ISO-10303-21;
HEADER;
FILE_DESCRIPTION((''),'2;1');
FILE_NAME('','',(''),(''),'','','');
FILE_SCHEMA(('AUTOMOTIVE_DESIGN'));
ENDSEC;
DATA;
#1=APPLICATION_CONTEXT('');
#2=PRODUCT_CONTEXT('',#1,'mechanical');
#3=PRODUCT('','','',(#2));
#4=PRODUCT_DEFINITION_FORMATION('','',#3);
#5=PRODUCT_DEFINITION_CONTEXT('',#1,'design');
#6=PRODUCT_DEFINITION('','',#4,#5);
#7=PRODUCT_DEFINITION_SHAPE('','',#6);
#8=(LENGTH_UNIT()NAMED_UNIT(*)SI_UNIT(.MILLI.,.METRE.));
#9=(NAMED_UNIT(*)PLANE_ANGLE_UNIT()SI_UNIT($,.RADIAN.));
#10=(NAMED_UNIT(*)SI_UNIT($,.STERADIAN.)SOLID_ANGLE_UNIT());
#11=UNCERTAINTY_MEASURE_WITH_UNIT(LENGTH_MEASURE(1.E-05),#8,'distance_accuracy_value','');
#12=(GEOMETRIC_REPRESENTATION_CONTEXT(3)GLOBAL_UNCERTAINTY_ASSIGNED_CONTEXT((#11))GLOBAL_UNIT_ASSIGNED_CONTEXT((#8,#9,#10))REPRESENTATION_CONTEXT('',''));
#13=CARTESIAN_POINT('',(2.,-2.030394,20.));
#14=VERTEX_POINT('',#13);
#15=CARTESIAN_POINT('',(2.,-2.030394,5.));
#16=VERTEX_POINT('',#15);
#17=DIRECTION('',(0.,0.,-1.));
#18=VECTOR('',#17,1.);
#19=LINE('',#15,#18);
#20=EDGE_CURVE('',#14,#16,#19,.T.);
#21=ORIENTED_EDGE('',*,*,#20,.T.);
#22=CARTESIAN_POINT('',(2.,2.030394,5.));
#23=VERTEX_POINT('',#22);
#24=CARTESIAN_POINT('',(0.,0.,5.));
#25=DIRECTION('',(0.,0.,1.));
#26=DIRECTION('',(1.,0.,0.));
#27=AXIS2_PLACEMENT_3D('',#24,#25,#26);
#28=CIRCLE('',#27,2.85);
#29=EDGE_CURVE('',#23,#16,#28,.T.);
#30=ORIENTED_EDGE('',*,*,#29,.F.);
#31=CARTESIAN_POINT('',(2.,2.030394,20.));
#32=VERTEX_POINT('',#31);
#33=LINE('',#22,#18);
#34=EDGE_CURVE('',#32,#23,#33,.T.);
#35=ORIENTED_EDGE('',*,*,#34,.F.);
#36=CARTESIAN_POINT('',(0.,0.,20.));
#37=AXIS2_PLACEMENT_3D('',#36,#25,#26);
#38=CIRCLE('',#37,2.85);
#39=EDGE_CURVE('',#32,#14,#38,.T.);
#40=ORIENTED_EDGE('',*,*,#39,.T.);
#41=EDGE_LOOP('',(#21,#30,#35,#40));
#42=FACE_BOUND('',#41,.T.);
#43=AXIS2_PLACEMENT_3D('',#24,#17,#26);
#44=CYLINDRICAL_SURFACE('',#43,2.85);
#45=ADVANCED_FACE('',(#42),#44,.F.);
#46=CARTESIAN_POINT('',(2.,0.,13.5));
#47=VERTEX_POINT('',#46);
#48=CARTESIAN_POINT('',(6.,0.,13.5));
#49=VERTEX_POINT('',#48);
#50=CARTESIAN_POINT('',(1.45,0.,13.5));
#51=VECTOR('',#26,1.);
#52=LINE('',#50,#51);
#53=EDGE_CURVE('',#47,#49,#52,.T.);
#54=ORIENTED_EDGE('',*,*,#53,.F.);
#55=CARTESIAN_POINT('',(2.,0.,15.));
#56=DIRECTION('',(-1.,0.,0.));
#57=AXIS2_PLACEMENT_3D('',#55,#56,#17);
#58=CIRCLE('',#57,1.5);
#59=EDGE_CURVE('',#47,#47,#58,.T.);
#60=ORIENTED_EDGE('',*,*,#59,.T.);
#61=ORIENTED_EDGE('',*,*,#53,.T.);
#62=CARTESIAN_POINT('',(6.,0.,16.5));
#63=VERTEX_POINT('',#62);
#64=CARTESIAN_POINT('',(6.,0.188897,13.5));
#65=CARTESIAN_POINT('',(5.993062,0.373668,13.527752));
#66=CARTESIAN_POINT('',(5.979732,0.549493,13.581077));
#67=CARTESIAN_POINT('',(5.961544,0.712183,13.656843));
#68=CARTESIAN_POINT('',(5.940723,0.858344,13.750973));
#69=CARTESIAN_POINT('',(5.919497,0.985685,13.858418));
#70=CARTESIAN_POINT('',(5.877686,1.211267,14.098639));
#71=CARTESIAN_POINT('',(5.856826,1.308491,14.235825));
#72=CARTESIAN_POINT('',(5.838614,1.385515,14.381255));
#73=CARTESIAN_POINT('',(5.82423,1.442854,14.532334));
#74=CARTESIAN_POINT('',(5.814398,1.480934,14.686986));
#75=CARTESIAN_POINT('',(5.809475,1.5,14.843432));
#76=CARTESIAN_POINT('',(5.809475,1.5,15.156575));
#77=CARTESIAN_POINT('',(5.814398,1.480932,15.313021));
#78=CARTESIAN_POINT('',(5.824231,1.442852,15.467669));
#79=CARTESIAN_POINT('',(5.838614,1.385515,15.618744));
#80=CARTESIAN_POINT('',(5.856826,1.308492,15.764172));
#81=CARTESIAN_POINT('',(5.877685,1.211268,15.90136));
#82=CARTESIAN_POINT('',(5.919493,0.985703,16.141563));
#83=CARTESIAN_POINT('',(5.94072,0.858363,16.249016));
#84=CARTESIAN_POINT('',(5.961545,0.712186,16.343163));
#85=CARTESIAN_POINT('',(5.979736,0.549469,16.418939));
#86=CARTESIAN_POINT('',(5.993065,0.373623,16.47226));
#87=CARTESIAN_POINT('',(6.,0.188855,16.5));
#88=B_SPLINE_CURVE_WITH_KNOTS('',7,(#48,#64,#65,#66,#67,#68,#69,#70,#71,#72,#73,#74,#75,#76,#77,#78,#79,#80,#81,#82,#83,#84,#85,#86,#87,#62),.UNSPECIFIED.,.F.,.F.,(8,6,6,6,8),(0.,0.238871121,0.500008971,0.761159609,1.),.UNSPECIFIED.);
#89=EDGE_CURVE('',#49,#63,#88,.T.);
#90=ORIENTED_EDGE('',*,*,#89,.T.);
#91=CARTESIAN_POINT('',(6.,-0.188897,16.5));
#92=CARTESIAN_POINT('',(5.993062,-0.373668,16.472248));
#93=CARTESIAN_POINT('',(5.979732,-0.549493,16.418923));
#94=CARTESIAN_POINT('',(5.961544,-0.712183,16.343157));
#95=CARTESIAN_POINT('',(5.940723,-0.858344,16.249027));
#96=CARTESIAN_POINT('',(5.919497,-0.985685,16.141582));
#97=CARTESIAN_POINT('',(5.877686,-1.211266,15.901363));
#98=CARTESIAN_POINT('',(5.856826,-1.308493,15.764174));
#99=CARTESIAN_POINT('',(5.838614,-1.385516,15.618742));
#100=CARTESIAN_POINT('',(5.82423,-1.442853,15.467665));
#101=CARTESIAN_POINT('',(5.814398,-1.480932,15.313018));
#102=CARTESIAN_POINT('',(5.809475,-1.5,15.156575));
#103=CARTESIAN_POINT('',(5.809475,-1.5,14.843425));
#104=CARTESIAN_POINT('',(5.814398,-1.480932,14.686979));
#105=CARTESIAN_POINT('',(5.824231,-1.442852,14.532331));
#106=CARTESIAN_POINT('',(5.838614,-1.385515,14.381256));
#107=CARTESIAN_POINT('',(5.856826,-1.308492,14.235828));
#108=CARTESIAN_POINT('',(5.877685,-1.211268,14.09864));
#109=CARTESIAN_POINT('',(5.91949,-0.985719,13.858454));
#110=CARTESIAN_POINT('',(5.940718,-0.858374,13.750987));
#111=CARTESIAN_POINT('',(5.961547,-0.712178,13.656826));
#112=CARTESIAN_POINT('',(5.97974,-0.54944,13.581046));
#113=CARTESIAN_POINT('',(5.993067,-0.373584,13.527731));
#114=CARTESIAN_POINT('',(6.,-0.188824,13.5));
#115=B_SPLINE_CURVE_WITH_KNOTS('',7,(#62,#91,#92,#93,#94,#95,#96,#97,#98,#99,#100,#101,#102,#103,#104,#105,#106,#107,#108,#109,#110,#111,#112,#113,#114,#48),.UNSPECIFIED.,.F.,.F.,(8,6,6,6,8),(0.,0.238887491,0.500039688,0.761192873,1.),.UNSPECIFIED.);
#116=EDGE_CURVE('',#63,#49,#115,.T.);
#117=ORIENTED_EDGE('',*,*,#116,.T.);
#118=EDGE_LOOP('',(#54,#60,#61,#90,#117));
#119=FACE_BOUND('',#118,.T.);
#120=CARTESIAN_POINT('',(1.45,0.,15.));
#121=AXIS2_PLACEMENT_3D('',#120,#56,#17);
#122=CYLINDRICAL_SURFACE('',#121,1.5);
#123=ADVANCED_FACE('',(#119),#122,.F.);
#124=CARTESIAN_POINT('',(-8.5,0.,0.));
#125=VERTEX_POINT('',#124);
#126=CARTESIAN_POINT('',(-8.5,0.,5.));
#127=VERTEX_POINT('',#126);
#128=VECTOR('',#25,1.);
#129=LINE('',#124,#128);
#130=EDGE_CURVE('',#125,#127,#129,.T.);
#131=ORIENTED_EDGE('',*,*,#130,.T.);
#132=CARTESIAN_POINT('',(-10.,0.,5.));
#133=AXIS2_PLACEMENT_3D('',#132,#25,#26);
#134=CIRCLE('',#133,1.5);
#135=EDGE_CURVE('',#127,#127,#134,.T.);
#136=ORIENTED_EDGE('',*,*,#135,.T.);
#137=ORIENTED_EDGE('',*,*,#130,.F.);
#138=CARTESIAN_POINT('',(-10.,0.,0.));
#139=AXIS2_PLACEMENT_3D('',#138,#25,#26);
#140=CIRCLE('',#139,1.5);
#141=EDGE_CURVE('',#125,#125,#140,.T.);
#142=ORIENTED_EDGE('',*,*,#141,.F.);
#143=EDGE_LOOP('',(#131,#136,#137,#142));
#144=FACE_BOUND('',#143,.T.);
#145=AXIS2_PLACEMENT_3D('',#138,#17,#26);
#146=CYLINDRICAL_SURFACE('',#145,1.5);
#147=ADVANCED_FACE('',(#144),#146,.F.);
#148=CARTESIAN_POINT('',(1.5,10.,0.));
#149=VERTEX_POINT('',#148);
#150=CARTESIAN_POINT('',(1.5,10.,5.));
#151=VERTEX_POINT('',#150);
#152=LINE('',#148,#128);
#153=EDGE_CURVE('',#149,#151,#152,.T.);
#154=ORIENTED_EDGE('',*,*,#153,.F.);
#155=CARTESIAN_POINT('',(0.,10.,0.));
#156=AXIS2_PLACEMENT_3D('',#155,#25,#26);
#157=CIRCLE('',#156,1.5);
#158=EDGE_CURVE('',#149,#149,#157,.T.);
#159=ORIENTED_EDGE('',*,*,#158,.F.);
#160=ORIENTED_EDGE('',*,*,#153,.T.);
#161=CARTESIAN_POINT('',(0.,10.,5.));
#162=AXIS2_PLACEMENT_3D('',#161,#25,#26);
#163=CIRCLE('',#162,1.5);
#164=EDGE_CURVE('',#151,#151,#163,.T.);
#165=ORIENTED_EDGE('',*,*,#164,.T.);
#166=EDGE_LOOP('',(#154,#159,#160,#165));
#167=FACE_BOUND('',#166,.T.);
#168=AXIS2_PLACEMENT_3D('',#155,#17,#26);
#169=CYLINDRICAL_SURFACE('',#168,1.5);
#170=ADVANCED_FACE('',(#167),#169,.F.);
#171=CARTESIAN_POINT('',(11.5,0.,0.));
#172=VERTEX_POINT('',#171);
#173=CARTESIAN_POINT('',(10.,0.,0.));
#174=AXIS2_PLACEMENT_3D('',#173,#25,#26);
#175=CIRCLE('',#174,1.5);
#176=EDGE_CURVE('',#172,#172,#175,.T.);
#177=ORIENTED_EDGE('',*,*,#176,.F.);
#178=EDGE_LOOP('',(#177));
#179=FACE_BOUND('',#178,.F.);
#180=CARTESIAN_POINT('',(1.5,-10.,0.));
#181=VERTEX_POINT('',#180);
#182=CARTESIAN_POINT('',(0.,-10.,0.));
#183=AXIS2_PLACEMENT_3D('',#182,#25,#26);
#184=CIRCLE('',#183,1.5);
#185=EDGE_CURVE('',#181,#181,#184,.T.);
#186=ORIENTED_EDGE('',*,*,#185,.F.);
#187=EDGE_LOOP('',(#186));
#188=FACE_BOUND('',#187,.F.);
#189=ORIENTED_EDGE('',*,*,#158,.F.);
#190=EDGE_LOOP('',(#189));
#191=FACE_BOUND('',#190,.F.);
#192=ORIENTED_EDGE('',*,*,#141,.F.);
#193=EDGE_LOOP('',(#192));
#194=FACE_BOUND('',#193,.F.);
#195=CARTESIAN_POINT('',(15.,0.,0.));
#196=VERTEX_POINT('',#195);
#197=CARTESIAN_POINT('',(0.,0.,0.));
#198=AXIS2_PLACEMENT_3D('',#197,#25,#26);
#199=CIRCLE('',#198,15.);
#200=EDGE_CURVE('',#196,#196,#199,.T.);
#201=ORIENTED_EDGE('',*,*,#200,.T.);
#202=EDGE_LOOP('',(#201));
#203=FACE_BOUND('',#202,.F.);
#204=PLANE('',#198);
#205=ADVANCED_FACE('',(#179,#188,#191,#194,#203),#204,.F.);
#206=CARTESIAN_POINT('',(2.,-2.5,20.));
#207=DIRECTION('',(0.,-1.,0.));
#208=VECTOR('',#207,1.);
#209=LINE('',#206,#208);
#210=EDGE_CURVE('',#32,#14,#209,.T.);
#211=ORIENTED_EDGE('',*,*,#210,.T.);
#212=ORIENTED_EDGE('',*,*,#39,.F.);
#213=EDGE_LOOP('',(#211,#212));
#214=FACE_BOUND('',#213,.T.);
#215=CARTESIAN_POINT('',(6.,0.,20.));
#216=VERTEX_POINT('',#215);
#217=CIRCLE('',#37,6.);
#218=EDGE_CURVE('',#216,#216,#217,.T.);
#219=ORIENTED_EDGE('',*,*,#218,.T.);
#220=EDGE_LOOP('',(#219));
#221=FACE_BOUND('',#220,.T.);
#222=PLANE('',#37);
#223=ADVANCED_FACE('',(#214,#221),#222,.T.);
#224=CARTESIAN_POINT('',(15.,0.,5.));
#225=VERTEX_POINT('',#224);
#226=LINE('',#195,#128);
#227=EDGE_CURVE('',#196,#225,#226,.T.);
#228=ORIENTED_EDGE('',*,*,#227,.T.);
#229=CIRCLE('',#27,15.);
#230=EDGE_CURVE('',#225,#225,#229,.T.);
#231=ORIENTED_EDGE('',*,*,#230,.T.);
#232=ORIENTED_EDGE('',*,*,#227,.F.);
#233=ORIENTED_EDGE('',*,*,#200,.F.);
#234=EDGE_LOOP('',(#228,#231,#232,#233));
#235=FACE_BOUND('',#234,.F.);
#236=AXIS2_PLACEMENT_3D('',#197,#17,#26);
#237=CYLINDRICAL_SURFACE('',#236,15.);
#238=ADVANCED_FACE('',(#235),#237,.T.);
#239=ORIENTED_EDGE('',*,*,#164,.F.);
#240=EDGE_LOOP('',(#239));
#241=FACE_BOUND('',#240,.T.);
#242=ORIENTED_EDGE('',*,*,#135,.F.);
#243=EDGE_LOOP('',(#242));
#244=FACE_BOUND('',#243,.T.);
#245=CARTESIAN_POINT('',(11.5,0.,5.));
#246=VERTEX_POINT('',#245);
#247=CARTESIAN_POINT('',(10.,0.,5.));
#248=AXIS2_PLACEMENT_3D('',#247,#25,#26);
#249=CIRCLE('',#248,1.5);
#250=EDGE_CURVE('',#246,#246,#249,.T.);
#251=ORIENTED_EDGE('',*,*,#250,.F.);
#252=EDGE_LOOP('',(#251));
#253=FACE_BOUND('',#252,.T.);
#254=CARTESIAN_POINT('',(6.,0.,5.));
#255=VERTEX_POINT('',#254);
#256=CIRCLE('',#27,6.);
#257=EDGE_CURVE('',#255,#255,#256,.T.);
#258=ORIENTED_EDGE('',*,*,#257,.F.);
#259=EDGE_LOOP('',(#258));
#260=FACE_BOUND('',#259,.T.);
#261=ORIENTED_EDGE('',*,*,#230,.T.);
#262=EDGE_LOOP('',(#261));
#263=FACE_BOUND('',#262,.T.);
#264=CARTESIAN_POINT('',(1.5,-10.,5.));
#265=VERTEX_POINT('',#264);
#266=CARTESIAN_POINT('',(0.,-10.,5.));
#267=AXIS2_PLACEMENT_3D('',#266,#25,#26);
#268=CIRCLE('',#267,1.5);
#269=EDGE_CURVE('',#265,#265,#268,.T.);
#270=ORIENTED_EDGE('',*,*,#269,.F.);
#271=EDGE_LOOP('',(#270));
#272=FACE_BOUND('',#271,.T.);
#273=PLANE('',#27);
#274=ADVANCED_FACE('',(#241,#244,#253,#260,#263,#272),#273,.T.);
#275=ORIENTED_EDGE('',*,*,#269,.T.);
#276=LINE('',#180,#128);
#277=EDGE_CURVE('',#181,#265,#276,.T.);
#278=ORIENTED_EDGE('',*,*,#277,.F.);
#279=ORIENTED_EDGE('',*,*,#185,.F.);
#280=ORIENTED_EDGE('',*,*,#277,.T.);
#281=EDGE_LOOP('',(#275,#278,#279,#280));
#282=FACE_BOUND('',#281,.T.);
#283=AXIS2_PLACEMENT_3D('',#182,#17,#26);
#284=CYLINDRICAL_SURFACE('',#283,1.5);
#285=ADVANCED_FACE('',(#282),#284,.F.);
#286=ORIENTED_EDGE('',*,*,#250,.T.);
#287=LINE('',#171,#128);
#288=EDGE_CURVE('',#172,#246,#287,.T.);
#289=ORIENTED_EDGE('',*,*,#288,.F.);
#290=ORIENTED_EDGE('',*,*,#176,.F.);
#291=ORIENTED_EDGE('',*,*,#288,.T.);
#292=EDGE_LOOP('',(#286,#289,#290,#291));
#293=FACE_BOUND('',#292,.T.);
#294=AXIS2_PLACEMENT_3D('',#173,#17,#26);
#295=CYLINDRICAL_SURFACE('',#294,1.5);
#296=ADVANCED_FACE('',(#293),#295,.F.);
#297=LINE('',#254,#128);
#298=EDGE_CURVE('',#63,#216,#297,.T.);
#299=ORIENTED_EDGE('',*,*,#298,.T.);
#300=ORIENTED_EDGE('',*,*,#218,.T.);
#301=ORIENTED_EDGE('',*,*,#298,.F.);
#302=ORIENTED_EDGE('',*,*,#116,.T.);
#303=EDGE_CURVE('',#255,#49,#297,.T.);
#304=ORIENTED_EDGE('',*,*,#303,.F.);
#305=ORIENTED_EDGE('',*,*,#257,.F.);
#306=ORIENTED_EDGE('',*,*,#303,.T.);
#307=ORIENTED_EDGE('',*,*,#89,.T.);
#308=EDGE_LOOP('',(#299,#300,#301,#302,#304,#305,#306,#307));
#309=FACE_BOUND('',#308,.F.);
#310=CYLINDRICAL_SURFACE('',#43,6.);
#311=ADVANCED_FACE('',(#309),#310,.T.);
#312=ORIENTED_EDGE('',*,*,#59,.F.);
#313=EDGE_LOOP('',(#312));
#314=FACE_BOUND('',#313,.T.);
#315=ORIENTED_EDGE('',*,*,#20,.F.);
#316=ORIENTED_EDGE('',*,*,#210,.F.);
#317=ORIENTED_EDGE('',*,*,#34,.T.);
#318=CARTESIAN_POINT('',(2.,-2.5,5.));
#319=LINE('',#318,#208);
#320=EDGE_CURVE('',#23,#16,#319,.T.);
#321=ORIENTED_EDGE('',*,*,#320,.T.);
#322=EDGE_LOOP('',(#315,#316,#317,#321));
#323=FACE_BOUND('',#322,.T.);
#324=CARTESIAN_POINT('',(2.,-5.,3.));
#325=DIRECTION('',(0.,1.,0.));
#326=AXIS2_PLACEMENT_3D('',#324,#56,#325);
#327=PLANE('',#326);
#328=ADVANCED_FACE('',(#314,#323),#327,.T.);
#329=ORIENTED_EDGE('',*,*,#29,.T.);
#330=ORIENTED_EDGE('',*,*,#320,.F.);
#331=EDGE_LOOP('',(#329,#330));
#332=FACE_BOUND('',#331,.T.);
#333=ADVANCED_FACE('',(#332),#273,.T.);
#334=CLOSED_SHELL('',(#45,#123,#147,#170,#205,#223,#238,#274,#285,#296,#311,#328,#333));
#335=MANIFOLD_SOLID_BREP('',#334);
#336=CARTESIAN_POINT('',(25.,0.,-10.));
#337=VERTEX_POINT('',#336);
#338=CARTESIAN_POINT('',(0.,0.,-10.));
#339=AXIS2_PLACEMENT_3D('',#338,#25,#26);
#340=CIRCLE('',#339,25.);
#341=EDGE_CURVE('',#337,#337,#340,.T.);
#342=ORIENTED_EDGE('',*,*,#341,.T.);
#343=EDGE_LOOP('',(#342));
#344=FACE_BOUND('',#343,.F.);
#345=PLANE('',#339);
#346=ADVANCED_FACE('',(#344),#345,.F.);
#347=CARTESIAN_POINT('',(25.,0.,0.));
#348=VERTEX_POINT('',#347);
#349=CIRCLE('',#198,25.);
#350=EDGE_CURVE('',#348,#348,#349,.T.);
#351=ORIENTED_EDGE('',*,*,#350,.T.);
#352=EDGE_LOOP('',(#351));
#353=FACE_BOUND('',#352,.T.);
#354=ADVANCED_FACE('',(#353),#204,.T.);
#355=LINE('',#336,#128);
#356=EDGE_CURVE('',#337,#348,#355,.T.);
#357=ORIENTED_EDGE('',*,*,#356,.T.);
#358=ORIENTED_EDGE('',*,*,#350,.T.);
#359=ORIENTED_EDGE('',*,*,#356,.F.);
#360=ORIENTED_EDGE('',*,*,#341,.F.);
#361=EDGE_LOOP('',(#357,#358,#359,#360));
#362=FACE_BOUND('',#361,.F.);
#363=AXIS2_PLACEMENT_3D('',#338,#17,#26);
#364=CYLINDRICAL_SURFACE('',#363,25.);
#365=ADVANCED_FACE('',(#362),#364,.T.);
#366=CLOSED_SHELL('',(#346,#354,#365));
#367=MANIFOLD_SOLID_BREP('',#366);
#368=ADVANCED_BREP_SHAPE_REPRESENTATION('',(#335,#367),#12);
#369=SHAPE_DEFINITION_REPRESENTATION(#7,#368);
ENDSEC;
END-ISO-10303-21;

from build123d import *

# Parameters (mm, degrees)
CYLINDER019_R           = 25
CYLINDER019_DEPTH       = 10
CYLINDER018_R           = 1.5
CYLINDER018_DEPTH       = 5
CYLINDER018_PITCH_ANGLE = 90
CYLINDER016_R           = 2.85
CYLINDER016_DEPTH       = 15
BOX002_W                = 11
BOX002_H                = 10
BOX002_DEPTH            = 21
CYLINDER017_R           = 6
CYLINDER017_DEPTH       = 15
CYLINDER004_R           = 1.5
CYLINDER004_DEPTH       = 5
CYLINDER003_R           = 1.5
CYLINDER003_DEPTH       = 5
CYLINDER002_R           = 1.5
CYLINDER002_DEPTH       = 5
CYLINDER001_R           = 1.5
CYLINDER001_DEPTH       = 5
CYLINDER_R              = 15
CYLINDER_DEPTH          = 5


with BuildPart() as cilindro006:
    # Cylinder019 → Cylinder019 (new body)
    with BuildSketch(Plane.XY.offset(-10)):
        Circle(CYLINDER019_R)
    extrude(amount=CYLINDER019_DEPTH)


with BuildPart() as cilindro005:
    # Cylinder018 → Cylinder018 (new body)
    with BuildSketch(Plane.XY):
        Circle(CYLINDER018_R)
    extrude(amount=CYLINDER018_DEPTH)


with BuildPart() as cilindro005_1:
    # Cylinder018 pitch: moved
    add(cilindro005.part.rotate(Axis((0, 0, 0), (0, 1, 0)), CYLINDER018_PITCH_ANGLE))


with BuildPart() as cilindro005_2:
    # Cylinder018 placement: moved
    add(cilindro005_1.part.moved(Location((1.45, 0, 15))))


with BuildPart() as cilindro003:
    # Cylinder016 → Cylinder016 (new body)
    with BuildSketch(Plane(origin=(0, -186, 0), x_dir=(1, 0, 0), z_dir=(0, 0, 1))):
        Circle(CYLINDER016_R)
    extrude(amount=CYLINDER016_DEPTH)


with BuildPart() as cubo001:
    # Box002 → Box002 (new body)
    with BuildSketch(Plane(origin=(2, -191, -2), x_dir=(1, 0, 0), z_dir=(0, 0, 1))):
        with Locations((5.5, 5)):
            Rectangle(BOX002_W, BOX002_H)
    extrude(amount=BOX002_DEPTH)


with BuildPart() as cut006:
    # Cut006 base: copy of Cubo001
    add(cubo001.part)

    # Cut006: cut Cilindro003
    add(cilindro003.part, mode=Mode.SUBTRACT)


with BuildPart() as cut007:
    # Cut005 base: copy of Cilindro003
    add(cilindro003.part)

    # Cut005: cut Cubo001
    add(cubo001.part, mode=Mode.SUBTRACT)

    # Cut007: cut Cut006
    add(cut006.part, mode=Mode.SUBTRACT)


with BuildPart() as cut007_1:
    # Cut007 placement: moved
    add(cut007.part.moved(Location((0, 186, 5))))


with BuildPart() as cut009:
    # Cylinder017 → Cylinder017 (new body)
    with BuildSketch(Plane.XY.offset(5)):
        Circle(CYLINDER017_R)
    extrude(amount=CYLINDER017_DEPTH)

    # Cut008: cut Cut007
    add(cut007_1.part, mode=Mode.SUBTRACT)

    # Cut009: cut Cilindro005
    add(cilindro005_2.part, mode=Mode.SUBTRACT)


with BuildPart() as cylinder004:
    # Cylinder004 → Cylinder004 (new body)
    with BuildSketch(Plane(origin=(0, -10, 0), x_dir=(1, 0, 0), z_dir=(0, 0, 1))):
        Circle(CYLINDER004_R)
    extrude(amount=CYLINDER004_DEPTH)


with BuildPart() as cylinder003:
    # Cylinder003 → Cylinder003 (new body)
    with BuildSketch(Plane(origin=(0, 10, 0), x_dir=(1, 0, 0), z_dir=(0, 0, 1))):
        Circle(CYLINDER003_R)
    extrude(amount=CYLINDER003_DEPTH)


with BuildPart() as cylinder002:
    # Cylinder002 → Cylinder002 (new body)
    with BuildSketch(Plane(origin=(-10, 0, 0), x_dir=(1, 0, 0), z_dir=(0, 0, 1))):
        Circle(CYLINDER002_R)
    extrude(amount=CYLINDER002_DEPTH)


with BuildPart() as cylinder001:
    # Cylinder001 → Cylinder001 (new body)
    with BuildSketch(Plane(origin=(10, 0, 0), x_dir=(1, 0, 0), z_dir=(0, 0, 1))):
        Circle(CYLINDER001_R)
    extrude(amount=CYLINDER001_DEPTH)


with BuildPart() as acople:
    # Cylinder → Cylinder (new body)
    with BuildSketch(Plane.XY):
        Circle(CYLINDER_R)
    extrude(amount=CYLINDER_DEPTH)

    # Cut: cut Cylinder001
    add(cylinder001.part, mode=Mode.SUBTRACT)

    # Cut001: cut Cylinder002
    add(cylinder002.part, mode=Mode.SUBTRACT)

    # Cut002: cut Cylinder003
    add(cylinder003.part, mode=Mode.SUBTRACT)

    # Cut003: cut Cylinder004
    add(cylinder004.part, mode=Mode.SUBTRACT)

    # Fusion: union Cut009
    add(cut009.part)


solid = Compound([cilindro006.part, acople.part])
